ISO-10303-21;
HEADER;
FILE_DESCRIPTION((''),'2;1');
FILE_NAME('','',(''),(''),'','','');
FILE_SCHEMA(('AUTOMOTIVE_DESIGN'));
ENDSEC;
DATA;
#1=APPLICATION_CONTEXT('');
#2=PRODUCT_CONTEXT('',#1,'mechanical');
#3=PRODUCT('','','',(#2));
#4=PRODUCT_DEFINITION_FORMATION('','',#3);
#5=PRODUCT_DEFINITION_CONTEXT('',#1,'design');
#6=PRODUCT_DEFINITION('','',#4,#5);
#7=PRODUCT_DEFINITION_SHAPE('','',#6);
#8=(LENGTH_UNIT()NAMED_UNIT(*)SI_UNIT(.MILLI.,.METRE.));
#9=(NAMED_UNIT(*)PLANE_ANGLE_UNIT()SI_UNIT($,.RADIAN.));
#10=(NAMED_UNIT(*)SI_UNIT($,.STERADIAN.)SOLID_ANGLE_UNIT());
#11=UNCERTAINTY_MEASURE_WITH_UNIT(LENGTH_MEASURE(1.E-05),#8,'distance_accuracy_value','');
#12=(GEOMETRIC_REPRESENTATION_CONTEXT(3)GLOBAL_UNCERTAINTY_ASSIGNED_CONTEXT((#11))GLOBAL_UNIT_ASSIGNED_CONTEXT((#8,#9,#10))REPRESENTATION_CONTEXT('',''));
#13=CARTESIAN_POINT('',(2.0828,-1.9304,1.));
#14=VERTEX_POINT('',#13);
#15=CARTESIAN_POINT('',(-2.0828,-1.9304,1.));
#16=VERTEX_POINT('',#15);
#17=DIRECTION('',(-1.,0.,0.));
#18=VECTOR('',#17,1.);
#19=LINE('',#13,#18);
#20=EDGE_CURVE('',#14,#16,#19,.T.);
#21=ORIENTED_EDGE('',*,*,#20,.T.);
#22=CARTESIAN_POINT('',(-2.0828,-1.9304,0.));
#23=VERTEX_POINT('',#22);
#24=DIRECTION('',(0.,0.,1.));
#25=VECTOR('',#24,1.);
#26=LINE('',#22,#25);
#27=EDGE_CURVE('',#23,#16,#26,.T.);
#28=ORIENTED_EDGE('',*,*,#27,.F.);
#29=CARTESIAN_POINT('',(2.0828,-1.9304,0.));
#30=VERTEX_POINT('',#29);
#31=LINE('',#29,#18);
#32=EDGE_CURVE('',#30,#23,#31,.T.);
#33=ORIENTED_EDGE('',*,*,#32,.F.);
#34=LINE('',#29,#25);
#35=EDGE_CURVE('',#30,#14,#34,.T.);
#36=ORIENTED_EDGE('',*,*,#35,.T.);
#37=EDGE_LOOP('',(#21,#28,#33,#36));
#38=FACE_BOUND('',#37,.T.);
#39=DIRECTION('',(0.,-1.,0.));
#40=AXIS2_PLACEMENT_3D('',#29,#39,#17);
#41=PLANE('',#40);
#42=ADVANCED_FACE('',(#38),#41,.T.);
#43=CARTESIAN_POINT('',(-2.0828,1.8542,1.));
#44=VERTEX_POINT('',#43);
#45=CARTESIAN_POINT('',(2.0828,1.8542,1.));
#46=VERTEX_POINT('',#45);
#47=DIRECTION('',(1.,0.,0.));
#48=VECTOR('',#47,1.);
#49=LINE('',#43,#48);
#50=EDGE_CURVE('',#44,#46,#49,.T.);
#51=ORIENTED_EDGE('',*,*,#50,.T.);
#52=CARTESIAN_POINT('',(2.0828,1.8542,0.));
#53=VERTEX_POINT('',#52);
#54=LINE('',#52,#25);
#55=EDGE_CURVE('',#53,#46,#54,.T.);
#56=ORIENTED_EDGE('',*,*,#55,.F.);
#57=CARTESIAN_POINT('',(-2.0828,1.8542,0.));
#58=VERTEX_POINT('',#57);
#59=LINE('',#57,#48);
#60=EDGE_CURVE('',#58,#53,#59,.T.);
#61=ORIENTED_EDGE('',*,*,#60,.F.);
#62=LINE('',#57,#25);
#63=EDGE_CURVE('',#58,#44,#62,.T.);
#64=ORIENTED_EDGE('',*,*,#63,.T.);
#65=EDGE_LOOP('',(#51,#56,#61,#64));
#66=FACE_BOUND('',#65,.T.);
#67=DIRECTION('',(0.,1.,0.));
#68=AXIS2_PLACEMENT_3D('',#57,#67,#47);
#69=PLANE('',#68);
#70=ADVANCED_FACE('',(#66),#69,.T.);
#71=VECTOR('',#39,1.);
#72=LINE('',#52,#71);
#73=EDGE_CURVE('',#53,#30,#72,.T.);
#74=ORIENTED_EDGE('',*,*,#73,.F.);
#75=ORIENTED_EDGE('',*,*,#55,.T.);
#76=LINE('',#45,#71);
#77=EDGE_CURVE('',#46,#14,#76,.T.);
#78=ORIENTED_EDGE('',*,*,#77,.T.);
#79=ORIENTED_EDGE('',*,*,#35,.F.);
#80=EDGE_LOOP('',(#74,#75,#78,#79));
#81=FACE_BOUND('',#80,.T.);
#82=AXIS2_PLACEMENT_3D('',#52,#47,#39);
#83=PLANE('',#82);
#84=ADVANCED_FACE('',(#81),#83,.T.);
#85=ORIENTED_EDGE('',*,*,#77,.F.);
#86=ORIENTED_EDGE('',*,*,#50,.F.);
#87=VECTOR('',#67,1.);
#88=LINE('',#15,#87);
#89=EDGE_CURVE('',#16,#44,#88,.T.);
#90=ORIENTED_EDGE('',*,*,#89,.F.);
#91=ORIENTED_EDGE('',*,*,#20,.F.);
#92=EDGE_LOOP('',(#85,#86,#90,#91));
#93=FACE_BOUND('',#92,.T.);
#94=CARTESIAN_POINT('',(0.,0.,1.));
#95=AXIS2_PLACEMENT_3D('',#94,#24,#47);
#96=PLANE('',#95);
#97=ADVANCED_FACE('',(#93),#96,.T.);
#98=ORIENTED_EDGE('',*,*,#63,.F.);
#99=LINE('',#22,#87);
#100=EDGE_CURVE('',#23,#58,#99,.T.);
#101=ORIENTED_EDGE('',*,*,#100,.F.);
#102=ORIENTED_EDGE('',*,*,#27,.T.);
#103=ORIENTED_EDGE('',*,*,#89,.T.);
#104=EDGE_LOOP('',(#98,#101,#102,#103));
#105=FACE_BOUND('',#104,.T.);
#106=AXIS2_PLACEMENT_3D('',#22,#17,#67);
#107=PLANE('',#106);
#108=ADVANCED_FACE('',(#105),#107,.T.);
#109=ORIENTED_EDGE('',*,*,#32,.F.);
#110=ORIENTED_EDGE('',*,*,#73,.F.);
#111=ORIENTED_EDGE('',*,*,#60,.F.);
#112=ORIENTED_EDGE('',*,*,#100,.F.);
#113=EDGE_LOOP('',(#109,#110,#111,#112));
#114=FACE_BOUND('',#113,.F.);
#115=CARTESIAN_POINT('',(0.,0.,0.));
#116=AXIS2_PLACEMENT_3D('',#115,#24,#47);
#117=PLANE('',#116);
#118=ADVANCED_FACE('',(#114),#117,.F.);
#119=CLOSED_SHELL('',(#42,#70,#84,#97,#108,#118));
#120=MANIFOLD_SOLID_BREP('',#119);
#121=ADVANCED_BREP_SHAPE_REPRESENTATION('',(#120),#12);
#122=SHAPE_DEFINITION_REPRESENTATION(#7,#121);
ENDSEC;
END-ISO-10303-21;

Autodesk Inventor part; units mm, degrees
ref_plane "YZ Plane" through (0, 0, 0) normal (1, 0, 0) x (0, 1, 0)
ref_plane "XZ Plane" through (0, 0, 0) normal (0, 1, 0) x (-1, 0, 0)
ref_plane "XY Plane" through (0, 0, 0) normal (0, 0, 1) x (1, 0, 0)
sketch "IND_ELL3FU, 2_2UH_44" plane through (0, 0, 0) normal (0, 0, 1) x (1, 0, 0)
  line L0 (-2.0828, 1.8542) -> (2.0828, 1.8542)
  line L1 (2.0828, 1.8542) -> (2.0828, -1.9304)
  line L2 (2.0828, -1.9304) -> (-2.0828, -1.9304)
  line L3 (-2.0828, -1.9304) -> (-2.0828, 1.8542)
extrude "Extrusion1" add sketch "IND_ELL3FU, 2_2UH_44" along normal blind 1
properties part number "2_2UH"
